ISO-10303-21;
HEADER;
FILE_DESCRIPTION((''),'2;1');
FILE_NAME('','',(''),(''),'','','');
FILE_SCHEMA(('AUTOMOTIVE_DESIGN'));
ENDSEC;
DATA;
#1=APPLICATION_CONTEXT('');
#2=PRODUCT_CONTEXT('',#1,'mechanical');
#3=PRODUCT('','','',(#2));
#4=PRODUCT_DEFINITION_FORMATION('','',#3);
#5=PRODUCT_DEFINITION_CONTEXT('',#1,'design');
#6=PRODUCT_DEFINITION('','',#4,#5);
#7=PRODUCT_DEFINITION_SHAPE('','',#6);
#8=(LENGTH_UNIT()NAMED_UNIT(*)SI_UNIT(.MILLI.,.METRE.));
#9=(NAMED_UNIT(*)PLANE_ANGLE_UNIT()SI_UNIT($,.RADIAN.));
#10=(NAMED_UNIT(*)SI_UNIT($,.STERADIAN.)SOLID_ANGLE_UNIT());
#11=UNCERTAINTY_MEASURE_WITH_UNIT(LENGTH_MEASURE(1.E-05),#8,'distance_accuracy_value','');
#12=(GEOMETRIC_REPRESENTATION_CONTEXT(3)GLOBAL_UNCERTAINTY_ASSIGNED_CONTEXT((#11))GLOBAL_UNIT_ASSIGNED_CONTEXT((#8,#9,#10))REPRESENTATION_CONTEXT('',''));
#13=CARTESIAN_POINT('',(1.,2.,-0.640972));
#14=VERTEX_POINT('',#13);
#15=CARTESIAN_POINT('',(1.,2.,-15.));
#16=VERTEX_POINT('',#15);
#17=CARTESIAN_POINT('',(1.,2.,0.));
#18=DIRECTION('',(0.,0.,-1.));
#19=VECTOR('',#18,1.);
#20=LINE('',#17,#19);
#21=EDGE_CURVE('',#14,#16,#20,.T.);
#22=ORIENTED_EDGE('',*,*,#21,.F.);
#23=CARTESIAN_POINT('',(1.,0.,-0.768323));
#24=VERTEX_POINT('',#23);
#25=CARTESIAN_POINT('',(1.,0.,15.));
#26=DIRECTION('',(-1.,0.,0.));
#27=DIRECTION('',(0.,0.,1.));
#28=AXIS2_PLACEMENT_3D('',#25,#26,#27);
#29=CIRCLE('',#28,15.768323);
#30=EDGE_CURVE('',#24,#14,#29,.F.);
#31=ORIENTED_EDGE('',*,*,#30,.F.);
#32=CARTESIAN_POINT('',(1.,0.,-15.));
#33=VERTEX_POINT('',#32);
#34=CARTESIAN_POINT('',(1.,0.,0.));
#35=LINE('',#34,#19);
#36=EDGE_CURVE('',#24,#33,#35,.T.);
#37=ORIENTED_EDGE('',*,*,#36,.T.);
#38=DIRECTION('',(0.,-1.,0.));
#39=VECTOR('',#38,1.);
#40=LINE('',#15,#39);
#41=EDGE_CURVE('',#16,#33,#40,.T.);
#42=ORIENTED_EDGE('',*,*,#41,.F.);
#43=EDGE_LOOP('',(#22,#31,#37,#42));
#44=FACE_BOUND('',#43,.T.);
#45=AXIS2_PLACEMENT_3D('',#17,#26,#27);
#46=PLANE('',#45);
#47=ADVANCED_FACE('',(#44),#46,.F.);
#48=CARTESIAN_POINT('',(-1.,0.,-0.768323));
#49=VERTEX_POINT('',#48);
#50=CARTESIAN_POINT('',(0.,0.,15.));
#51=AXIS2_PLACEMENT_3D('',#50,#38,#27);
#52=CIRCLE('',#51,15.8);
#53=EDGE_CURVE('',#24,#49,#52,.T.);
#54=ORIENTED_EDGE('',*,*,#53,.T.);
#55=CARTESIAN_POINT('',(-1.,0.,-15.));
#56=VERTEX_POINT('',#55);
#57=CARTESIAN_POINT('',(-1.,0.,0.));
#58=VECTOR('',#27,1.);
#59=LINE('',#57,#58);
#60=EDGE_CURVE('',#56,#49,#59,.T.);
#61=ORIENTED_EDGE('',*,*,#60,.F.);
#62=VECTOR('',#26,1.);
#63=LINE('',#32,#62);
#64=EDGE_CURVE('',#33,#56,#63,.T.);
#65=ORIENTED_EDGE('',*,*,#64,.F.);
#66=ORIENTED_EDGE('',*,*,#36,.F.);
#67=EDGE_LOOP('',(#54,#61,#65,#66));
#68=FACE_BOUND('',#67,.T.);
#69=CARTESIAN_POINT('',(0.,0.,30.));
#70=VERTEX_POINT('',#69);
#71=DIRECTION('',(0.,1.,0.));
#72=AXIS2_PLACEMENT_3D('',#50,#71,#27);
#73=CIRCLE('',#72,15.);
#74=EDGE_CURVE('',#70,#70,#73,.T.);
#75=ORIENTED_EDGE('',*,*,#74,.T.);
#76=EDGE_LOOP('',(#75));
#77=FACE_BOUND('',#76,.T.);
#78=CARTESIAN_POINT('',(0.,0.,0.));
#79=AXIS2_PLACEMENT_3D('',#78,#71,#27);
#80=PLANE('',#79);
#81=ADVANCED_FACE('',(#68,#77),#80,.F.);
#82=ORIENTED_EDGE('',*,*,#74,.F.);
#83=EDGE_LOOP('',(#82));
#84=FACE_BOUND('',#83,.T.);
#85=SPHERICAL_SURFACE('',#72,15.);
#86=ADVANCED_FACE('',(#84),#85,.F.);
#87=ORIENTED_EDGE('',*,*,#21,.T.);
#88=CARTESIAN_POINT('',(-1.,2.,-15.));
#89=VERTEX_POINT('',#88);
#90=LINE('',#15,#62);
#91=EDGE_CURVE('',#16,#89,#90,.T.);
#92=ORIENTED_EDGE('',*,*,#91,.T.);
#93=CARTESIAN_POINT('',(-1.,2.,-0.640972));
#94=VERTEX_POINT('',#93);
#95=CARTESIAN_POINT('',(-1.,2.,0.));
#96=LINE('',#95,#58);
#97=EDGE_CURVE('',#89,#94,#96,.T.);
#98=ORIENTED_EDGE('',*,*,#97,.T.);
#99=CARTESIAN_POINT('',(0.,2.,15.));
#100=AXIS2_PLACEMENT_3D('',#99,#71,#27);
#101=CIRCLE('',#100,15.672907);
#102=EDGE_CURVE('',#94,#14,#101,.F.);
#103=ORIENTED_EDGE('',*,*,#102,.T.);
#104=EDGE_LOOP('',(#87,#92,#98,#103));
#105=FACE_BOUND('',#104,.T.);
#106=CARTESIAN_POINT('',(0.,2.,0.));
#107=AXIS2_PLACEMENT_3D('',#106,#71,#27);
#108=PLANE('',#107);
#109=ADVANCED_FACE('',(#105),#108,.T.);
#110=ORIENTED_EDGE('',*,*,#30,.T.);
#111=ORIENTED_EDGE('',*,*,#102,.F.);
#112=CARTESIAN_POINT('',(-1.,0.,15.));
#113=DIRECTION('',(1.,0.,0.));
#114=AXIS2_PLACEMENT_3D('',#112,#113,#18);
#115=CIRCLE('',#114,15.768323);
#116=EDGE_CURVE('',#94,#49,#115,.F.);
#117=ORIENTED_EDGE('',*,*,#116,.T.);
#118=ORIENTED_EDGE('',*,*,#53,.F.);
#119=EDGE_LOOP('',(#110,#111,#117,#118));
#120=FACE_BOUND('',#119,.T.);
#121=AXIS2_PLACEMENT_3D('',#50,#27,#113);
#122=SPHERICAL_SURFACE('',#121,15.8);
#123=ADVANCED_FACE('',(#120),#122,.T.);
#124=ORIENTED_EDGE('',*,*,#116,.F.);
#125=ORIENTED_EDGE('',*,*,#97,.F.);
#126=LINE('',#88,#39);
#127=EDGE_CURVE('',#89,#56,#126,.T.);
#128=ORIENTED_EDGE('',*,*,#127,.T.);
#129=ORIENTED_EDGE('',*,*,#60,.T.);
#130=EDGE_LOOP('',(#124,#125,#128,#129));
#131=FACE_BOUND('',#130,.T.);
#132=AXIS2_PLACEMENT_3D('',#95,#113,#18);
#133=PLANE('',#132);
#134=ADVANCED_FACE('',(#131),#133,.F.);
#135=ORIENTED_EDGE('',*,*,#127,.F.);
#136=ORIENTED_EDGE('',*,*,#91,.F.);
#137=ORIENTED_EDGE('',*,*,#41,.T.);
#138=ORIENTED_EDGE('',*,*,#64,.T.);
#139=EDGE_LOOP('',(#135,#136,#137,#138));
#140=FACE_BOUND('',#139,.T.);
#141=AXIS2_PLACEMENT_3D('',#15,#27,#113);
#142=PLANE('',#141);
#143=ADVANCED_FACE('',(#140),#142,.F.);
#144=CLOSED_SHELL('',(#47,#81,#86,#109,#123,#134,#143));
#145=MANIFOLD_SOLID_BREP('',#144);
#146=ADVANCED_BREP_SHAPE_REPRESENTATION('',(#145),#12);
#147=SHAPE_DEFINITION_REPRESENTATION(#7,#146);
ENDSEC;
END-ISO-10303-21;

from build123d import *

# Parameters (mm, degrees)
SKETCH_1_W      = 2
SKETCH_1_H      = 15
EXTRUDE_1_DEPTH = 2
REVOLVE_1_ANGLE = 180


with BuildPart() as part:
    # Эскиз1 → Бобышка-Вытянуть1 (new body)
    with BuildSketch(Plane(origin=(0, 0, 0), x_dir=(1, 0, 0), z_dir=(0, 1, 0))):
        with Locations((0, 7.5)):
            Rectangle(SKETCH_1_W, SKETCH_1_H)
    extrude(amount=EXTRUDE_1_DEPTH)

    # Эскиз2 → Повернуть1 (revolve)
    with BuildSketch(Plane(origin=(0, 0, 0), x_dir=(1, 0, 0), z_dir=(0, 1, 0))):
        with BuildLine():
            Line((0, 0.8), (0, 0))
            ThreePointArc((0, 0), (-15, -15), (0, -30))
            Line((0, -30), (0, -30.8))
            ThreePointArc((0, -30.8), (-15.8, -15), (0, 0.8))
        make_face()
    revolve(axis=Axis((0, 0, 15), (0, 0, -1)), revolution_arc=REVOLVE_1_ANGLE)


solid = part.part
